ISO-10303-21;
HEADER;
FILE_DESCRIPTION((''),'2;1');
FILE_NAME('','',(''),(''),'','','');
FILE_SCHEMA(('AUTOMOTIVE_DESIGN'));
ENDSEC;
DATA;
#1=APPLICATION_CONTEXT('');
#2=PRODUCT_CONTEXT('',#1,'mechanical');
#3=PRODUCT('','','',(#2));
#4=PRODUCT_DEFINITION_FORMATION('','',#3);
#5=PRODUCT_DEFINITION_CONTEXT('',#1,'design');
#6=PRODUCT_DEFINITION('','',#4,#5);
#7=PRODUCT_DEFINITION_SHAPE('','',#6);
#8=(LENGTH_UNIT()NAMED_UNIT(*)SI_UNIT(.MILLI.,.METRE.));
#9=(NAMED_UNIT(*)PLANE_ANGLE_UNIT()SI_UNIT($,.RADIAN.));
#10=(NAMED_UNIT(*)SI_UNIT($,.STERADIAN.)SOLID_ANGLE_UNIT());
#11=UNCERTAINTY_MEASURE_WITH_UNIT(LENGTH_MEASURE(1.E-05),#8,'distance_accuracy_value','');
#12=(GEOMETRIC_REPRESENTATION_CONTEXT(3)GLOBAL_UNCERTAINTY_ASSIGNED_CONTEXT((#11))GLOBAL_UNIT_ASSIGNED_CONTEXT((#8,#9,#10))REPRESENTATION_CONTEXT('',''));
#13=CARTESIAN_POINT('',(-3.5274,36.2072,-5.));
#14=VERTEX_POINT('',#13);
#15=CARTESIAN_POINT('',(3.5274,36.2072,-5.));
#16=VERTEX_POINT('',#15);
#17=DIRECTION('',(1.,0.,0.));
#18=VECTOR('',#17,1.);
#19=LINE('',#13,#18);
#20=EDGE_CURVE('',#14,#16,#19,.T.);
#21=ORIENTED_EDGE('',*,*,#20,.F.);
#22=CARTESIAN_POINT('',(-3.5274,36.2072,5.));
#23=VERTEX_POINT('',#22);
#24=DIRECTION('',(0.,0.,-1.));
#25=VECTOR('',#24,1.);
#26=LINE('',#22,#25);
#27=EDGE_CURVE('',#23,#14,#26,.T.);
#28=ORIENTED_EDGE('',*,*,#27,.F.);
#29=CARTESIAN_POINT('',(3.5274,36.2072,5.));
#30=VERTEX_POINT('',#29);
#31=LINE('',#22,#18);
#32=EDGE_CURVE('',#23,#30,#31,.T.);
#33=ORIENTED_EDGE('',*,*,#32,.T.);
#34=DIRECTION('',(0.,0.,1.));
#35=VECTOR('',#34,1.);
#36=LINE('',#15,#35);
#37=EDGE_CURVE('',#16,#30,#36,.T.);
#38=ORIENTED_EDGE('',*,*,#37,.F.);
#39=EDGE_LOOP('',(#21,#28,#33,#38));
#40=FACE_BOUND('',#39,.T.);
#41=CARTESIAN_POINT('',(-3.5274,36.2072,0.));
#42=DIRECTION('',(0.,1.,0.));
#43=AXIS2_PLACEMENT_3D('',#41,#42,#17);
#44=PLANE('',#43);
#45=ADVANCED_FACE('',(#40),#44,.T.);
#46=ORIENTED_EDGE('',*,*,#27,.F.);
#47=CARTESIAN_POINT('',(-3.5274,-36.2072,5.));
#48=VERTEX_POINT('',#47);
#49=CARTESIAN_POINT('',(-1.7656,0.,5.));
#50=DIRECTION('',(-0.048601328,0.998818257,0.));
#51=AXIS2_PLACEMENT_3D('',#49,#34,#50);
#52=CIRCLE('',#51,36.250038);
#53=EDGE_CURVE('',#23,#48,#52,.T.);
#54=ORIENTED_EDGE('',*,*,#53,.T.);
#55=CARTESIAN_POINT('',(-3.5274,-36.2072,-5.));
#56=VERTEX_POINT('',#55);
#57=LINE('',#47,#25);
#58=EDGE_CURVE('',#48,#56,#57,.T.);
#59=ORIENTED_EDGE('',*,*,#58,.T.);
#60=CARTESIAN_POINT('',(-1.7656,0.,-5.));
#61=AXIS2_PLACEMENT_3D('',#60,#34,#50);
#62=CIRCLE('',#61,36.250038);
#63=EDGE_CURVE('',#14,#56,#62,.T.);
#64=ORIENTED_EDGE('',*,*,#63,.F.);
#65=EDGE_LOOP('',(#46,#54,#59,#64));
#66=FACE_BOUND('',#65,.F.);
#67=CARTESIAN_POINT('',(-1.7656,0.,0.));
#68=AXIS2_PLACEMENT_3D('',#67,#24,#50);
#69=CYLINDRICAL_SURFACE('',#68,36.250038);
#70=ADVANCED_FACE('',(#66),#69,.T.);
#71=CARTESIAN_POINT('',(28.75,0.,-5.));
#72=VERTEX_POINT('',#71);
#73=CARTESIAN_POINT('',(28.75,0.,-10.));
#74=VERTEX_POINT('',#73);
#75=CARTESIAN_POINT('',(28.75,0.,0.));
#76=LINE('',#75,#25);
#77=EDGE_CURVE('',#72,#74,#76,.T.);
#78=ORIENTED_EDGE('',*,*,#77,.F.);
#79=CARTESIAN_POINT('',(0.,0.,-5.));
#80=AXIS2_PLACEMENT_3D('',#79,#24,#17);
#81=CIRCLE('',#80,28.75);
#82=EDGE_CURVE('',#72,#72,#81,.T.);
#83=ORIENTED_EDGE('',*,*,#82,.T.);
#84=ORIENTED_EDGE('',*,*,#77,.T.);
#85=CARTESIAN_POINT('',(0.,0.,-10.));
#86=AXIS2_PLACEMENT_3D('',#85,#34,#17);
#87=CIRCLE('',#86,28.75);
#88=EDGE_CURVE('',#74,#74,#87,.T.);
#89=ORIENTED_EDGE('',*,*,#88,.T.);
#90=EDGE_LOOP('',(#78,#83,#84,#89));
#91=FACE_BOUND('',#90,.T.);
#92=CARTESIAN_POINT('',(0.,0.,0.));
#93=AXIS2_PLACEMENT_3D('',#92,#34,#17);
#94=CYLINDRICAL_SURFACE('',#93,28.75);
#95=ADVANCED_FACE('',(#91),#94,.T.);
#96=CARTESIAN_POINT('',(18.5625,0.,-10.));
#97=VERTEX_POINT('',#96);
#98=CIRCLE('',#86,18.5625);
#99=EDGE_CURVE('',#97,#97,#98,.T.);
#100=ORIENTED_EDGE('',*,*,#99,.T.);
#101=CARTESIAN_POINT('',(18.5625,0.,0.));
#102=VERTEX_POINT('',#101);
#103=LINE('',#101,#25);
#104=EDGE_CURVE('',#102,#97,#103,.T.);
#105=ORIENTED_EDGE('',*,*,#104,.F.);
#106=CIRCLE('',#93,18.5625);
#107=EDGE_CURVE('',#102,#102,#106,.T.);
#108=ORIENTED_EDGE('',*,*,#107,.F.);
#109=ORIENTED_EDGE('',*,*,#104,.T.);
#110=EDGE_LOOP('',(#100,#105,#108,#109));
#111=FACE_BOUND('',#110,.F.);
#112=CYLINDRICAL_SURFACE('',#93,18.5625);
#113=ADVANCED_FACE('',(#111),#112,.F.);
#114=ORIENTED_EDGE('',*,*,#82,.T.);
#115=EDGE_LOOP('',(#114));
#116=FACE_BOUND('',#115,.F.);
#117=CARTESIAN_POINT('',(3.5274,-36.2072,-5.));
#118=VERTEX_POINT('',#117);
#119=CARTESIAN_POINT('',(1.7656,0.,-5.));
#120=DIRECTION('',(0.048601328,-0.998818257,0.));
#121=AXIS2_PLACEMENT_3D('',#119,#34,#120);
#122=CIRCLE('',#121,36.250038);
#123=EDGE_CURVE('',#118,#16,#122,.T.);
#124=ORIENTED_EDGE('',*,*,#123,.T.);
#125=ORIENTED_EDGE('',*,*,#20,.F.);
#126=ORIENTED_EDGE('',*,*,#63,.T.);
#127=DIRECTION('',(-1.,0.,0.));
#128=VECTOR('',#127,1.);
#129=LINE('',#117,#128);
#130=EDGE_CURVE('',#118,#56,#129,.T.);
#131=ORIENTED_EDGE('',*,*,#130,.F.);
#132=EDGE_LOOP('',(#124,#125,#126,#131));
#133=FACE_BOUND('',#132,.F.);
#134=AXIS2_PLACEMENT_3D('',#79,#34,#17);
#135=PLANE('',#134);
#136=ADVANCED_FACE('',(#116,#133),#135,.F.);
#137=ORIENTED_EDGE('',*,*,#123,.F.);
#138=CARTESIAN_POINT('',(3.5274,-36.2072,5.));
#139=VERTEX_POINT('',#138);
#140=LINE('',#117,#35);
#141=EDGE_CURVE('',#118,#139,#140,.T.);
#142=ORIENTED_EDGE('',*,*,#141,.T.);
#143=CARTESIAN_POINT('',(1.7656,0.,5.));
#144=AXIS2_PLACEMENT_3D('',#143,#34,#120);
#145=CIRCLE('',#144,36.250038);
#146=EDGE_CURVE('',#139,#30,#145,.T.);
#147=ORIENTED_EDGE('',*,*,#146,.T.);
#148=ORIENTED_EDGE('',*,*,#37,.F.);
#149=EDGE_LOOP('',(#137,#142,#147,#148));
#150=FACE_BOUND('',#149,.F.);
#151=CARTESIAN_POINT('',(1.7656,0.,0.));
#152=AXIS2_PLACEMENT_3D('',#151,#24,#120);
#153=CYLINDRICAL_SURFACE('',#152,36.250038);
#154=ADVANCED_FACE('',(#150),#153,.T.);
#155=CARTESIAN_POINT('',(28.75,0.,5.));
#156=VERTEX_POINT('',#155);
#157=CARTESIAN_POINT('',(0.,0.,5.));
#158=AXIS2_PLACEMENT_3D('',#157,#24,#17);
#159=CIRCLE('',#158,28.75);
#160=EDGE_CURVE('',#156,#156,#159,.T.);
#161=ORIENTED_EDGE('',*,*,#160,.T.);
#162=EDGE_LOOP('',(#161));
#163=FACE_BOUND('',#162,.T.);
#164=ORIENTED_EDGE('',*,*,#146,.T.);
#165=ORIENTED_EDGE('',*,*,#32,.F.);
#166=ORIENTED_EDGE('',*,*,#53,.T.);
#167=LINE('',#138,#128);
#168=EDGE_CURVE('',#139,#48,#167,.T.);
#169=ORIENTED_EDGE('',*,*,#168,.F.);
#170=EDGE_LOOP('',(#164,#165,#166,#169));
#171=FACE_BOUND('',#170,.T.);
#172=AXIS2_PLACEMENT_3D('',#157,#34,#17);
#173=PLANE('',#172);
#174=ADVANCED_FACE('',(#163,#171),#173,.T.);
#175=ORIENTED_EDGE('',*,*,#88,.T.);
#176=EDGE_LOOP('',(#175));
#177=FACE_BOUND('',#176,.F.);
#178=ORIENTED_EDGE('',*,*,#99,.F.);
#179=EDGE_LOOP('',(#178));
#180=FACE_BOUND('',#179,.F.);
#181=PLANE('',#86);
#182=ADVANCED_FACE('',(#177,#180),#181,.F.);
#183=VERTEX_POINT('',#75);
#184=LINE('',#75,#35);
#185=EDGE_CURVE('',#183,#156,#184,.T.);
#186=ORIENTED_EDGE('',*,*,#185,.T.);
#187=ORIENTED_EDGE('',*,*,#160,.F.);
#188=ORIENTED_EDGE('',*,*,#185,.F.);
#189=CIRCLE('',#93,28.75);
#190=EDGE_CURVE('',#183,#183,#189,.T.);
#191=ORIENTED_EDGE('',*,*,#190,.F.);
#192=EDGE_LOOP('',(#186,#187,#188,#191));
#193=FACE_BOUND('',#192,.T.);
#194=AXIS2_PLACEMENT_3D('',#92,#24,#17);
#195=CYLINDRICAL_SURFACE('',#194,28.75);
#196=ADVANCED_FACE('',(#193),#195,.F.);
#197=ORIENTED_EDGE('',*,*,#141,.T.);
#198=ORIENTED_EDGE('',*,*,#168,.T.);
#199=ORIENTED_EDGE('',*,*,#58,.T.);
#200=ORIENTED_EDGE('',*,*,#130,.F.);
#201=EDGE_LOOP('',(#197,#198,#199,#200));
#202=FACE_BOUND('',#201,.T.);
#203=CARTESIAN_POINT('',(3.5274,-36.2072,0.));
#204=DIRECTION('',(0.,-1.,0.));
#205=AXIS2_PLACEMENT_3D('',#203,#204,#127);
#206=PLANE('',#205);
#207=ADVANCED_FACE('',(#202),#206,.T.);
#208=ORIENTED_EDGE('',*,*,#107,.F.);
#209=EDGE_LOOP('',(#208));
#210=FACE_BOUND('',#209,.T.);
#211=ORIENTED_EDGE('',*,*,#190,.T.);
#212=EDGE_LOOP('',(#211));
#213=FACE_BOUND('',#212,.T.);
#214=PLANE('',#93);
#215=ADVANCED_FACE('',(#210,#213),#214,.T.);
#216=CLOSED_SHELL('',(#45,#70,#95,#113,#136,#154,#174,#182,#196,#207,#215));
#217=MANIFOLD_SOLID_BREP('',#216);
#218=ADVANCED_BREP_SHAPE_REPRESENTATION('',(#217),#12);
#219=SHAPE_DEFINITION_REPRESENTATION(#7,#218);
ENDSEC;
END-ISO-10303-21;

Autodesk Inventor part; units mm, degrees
ref_plane "YZ Plane" through (0, 0, 0) normal (1, 0, 0) x (0, 1, 0)
ref_plane "XZ Plane" through (0, 0, 0) normal (0, 1, 0) x (-1, 0, 0)
ref_plane "XY Plane" through (0, 0, 0) normal (0, 0, 1) x (1, 0, 0)
sketch "Sketch1" plane through (0, 0, 0) normal (0, 0, 1) x (1, 0, 0)
  circle A0 centre (0, 0) radius 28.75
  line L0 (3.5274, -36.2072) -> (-3.5274, -36.2072)
  line L1 (-3.5274, 36.2072) -> (3.5274, 36.2072)
  arc A1 (3.5274, -36.2072) -> (3.5274, 36.2072) centre (1.7656, 0) ccw
  arc A2 (-3.5274, 36.2072) -> (-3.5274, -36.2072) centre (-1.7656, 0) ccw
  line L2 (3.3345, -28.7072) -> (-3.3345, -28.7072)
  point P0 (0, 0)
  point P1 (0, 36.2072)
  point P2 (0, 0)
  point P3 (0, -28.7072)
  dimension "d0" = 57.5
  dimension "d1" = 36.25
  dimension "d2" = 36.25
  dimension "d8" = 7.0549
extrude "Extrusion1" add sketch "Sketch1" along normal mid plane 10
sketch "Sketch2" plane through (0, 0, 0) normal (0, 0, 1) x (1, 0, 0)
  circle A0 centre (0, 0) radius 28.75 projected
  circle A1 centre (0, 0) radius 18.5625
  dimension "d5" = 37.125
extrude "Extrusion2" add sketch "Sketch2" against normal blind 10
ref_plane "Work Plane1" through (0, 36.2072, 5) normal (-1, 0, 0) x (0, 0, -1)
properties part number "Tilting head - cover side part" material "Steel, Carbon"
